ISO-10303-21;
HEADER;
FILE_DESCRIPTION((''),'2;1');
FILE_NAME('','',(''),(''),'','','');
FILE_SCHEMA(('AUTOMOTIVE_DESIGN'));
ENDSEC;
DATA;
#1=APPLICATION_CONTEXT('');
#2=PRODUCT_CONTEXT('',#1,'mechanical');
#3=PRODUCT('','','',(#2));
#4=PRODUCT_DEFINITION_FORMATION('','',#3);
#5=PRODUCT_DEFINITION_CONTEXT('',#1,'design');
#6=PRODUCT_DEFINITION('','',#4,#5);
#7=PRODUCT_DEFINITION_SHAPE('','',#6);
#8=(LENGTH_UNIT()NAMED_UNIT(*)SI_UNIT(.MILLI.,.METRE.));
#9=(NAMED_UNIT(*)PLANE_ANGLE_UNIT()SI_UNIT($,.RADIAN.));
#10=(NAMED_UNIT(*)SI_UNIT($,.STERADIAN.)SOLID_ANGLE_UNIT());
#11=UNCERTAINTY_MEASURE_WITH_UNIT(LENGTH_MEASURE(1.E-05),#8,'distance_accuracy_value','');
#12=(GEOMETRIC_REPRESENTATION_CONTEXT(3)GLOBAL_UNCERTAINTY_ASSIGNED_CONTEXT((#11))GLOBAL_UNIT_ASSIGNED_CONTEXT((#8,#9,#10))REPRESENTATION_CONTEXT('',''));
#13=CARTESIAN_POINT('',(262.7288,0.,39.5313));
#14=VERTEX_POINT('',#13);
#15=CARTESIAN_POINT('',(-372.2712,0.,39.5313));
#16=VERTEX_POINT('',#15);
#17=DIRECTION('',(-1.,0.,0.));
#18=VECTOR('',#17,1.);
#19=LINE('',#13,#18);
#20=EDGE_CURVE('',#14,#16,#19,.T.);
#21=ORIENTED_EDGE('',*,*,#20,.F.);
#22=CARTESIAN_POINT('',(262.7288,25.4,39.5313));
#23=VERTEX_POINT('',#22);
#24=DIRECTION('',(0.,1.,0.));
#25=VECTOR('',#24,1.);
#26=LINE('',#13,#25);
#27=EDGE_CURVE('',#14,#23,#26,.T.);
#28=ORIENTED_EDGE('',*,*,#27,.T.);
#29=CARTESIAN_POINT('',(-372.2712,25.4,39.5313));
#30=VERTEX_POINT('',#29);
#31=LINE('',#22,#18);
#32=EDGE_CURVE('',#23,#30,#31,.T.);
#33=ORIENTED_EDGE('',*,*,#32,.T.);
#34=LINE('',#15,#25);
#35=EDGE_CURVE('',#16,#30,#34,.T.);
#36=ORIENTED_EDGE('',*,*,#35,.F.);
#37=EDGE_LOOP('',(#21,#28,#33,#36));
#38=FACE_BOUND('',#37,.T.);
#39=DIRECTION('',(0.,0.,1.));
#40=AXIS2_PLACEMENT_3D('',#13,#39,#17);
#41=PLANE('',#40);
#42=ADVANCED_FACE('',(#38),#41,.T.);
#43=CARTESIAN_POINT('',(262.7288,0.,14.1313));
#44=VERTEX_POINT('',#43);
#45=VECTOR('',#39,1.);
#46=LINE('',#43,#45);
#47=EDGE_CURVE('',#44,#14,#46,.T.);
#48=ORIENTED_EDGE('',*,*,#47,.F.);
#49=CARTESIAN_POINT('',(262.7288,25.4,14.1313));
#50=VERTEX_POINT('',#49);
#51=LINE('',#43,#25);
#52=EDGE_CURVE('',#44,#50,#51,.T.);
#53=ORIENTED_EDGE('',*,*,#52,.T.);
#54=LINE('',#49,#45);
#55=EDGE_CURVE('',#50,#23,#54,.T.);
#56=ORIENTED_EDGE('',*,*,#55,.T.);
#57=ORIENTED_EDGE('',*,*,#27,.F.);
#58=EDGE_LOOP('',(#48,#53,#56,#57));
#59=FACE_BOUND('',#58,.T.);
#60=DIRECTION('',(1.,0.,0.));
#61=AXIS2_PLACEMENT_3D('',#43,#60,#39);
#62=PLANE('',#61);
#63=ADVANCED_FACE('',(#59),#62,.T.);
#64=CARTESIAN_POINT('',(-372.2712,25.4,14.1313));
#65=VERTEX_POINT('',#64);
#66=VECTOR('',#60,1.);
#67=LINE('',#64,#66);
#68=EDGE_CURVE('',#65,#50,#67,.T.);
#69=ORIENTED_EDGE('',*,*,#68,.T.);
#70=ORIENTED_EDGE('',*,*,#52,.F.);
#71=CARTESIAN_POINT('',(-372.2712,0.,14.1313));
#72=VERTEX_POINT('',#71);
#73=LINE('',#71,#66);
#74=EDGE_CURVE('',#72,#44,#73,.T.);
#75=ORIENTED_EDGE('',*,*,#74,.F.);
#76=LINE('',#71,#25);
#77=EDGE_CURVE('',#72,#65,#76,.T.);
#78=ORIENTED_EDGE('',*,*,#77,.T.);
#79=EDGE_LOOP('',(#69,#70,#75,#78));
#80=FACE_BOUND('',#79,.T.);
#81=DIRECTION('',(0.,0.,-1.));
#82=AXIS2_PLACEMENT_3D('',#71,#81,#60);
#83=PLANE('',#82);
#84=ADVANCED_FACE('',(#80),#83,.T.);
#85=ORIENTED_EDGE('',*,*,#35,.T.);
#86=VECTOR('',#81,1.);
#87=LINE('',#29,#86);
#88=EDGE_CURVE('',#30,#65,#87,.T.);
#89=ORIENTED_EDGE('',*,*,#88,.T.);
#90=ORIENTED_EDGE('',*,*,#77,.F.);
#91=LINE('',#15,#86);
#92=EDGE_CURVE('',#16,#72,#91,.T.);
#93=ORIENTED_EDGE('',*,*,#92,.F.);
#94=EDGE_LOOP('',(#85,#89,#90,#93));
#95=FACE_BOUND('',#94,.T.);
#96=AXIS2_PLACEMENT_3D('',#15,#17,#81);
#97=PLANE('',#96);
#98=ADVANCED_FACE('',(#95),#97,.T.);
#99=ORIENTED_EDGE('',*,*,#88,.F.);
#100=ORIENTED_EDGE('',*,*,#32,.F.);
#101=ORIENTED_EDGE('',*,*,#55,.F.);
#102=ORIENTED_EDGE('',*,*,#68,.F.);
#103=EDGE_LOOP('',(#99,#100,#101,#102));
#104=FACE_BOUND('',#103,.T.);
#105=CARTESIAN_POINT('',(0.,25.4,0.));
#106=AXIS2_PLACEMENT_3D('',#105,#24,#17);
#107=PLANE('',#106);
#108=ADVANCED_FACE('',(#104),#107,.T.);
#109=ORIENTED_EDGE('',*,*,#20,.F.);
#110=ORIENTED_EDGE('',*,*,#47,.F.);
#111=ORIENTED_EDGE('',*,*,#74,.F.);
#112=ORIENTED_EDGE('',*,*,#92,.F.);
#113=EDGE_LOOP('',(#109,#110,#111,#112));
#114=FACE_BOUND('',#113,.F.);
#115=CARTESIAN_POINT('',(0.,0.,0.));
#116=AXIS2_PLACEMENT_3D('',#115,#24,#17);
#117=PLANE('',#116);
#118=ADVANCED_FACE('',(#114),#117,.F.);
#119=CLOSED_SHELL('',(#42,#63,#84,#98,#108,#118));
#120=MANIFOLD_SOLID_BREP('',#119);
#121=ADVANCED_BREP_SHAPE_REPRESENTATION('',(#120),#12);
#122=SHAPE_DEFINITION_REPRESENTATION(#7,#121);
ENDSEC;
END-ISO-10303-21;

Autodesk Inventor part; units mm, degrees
ref_plane "YZ Plane" through (0, 0, 0) normal (1, 0, 0) x (0, 1, 0)
ref_plane "XZ Plane" through (0, 0, 0) normal (0, 1, 0) x (-1, 0, 0)
ref_plane "XY Plane" through (0, 0, 0) normal (0, 0, 1) x (1, 0, 0)
sketch "Sketch1" plane through (0, 0, 0) normal (0, 1, 0) x (-1, 0, 0)
  line L0 (-262.7288, 39.5313) -> (372.2712, 39.5313)
  line L1 (372.2712, 39.5313) -> (372.2712, 14.1313)
  line L2 (372.2712, 14.1313) -> (-262.7288, 14.1313)
  line L3 (-262.7288, 14.1313) -> (-262.7288, 39.5313)
  point P0 (0, 0)
  dimension "d0" = 635
  dimension "d1" = 25.4
extrude "Extrusion1" add sketch "Sketch1" along normal blind 25.4
properties part number "VacuumBar"
